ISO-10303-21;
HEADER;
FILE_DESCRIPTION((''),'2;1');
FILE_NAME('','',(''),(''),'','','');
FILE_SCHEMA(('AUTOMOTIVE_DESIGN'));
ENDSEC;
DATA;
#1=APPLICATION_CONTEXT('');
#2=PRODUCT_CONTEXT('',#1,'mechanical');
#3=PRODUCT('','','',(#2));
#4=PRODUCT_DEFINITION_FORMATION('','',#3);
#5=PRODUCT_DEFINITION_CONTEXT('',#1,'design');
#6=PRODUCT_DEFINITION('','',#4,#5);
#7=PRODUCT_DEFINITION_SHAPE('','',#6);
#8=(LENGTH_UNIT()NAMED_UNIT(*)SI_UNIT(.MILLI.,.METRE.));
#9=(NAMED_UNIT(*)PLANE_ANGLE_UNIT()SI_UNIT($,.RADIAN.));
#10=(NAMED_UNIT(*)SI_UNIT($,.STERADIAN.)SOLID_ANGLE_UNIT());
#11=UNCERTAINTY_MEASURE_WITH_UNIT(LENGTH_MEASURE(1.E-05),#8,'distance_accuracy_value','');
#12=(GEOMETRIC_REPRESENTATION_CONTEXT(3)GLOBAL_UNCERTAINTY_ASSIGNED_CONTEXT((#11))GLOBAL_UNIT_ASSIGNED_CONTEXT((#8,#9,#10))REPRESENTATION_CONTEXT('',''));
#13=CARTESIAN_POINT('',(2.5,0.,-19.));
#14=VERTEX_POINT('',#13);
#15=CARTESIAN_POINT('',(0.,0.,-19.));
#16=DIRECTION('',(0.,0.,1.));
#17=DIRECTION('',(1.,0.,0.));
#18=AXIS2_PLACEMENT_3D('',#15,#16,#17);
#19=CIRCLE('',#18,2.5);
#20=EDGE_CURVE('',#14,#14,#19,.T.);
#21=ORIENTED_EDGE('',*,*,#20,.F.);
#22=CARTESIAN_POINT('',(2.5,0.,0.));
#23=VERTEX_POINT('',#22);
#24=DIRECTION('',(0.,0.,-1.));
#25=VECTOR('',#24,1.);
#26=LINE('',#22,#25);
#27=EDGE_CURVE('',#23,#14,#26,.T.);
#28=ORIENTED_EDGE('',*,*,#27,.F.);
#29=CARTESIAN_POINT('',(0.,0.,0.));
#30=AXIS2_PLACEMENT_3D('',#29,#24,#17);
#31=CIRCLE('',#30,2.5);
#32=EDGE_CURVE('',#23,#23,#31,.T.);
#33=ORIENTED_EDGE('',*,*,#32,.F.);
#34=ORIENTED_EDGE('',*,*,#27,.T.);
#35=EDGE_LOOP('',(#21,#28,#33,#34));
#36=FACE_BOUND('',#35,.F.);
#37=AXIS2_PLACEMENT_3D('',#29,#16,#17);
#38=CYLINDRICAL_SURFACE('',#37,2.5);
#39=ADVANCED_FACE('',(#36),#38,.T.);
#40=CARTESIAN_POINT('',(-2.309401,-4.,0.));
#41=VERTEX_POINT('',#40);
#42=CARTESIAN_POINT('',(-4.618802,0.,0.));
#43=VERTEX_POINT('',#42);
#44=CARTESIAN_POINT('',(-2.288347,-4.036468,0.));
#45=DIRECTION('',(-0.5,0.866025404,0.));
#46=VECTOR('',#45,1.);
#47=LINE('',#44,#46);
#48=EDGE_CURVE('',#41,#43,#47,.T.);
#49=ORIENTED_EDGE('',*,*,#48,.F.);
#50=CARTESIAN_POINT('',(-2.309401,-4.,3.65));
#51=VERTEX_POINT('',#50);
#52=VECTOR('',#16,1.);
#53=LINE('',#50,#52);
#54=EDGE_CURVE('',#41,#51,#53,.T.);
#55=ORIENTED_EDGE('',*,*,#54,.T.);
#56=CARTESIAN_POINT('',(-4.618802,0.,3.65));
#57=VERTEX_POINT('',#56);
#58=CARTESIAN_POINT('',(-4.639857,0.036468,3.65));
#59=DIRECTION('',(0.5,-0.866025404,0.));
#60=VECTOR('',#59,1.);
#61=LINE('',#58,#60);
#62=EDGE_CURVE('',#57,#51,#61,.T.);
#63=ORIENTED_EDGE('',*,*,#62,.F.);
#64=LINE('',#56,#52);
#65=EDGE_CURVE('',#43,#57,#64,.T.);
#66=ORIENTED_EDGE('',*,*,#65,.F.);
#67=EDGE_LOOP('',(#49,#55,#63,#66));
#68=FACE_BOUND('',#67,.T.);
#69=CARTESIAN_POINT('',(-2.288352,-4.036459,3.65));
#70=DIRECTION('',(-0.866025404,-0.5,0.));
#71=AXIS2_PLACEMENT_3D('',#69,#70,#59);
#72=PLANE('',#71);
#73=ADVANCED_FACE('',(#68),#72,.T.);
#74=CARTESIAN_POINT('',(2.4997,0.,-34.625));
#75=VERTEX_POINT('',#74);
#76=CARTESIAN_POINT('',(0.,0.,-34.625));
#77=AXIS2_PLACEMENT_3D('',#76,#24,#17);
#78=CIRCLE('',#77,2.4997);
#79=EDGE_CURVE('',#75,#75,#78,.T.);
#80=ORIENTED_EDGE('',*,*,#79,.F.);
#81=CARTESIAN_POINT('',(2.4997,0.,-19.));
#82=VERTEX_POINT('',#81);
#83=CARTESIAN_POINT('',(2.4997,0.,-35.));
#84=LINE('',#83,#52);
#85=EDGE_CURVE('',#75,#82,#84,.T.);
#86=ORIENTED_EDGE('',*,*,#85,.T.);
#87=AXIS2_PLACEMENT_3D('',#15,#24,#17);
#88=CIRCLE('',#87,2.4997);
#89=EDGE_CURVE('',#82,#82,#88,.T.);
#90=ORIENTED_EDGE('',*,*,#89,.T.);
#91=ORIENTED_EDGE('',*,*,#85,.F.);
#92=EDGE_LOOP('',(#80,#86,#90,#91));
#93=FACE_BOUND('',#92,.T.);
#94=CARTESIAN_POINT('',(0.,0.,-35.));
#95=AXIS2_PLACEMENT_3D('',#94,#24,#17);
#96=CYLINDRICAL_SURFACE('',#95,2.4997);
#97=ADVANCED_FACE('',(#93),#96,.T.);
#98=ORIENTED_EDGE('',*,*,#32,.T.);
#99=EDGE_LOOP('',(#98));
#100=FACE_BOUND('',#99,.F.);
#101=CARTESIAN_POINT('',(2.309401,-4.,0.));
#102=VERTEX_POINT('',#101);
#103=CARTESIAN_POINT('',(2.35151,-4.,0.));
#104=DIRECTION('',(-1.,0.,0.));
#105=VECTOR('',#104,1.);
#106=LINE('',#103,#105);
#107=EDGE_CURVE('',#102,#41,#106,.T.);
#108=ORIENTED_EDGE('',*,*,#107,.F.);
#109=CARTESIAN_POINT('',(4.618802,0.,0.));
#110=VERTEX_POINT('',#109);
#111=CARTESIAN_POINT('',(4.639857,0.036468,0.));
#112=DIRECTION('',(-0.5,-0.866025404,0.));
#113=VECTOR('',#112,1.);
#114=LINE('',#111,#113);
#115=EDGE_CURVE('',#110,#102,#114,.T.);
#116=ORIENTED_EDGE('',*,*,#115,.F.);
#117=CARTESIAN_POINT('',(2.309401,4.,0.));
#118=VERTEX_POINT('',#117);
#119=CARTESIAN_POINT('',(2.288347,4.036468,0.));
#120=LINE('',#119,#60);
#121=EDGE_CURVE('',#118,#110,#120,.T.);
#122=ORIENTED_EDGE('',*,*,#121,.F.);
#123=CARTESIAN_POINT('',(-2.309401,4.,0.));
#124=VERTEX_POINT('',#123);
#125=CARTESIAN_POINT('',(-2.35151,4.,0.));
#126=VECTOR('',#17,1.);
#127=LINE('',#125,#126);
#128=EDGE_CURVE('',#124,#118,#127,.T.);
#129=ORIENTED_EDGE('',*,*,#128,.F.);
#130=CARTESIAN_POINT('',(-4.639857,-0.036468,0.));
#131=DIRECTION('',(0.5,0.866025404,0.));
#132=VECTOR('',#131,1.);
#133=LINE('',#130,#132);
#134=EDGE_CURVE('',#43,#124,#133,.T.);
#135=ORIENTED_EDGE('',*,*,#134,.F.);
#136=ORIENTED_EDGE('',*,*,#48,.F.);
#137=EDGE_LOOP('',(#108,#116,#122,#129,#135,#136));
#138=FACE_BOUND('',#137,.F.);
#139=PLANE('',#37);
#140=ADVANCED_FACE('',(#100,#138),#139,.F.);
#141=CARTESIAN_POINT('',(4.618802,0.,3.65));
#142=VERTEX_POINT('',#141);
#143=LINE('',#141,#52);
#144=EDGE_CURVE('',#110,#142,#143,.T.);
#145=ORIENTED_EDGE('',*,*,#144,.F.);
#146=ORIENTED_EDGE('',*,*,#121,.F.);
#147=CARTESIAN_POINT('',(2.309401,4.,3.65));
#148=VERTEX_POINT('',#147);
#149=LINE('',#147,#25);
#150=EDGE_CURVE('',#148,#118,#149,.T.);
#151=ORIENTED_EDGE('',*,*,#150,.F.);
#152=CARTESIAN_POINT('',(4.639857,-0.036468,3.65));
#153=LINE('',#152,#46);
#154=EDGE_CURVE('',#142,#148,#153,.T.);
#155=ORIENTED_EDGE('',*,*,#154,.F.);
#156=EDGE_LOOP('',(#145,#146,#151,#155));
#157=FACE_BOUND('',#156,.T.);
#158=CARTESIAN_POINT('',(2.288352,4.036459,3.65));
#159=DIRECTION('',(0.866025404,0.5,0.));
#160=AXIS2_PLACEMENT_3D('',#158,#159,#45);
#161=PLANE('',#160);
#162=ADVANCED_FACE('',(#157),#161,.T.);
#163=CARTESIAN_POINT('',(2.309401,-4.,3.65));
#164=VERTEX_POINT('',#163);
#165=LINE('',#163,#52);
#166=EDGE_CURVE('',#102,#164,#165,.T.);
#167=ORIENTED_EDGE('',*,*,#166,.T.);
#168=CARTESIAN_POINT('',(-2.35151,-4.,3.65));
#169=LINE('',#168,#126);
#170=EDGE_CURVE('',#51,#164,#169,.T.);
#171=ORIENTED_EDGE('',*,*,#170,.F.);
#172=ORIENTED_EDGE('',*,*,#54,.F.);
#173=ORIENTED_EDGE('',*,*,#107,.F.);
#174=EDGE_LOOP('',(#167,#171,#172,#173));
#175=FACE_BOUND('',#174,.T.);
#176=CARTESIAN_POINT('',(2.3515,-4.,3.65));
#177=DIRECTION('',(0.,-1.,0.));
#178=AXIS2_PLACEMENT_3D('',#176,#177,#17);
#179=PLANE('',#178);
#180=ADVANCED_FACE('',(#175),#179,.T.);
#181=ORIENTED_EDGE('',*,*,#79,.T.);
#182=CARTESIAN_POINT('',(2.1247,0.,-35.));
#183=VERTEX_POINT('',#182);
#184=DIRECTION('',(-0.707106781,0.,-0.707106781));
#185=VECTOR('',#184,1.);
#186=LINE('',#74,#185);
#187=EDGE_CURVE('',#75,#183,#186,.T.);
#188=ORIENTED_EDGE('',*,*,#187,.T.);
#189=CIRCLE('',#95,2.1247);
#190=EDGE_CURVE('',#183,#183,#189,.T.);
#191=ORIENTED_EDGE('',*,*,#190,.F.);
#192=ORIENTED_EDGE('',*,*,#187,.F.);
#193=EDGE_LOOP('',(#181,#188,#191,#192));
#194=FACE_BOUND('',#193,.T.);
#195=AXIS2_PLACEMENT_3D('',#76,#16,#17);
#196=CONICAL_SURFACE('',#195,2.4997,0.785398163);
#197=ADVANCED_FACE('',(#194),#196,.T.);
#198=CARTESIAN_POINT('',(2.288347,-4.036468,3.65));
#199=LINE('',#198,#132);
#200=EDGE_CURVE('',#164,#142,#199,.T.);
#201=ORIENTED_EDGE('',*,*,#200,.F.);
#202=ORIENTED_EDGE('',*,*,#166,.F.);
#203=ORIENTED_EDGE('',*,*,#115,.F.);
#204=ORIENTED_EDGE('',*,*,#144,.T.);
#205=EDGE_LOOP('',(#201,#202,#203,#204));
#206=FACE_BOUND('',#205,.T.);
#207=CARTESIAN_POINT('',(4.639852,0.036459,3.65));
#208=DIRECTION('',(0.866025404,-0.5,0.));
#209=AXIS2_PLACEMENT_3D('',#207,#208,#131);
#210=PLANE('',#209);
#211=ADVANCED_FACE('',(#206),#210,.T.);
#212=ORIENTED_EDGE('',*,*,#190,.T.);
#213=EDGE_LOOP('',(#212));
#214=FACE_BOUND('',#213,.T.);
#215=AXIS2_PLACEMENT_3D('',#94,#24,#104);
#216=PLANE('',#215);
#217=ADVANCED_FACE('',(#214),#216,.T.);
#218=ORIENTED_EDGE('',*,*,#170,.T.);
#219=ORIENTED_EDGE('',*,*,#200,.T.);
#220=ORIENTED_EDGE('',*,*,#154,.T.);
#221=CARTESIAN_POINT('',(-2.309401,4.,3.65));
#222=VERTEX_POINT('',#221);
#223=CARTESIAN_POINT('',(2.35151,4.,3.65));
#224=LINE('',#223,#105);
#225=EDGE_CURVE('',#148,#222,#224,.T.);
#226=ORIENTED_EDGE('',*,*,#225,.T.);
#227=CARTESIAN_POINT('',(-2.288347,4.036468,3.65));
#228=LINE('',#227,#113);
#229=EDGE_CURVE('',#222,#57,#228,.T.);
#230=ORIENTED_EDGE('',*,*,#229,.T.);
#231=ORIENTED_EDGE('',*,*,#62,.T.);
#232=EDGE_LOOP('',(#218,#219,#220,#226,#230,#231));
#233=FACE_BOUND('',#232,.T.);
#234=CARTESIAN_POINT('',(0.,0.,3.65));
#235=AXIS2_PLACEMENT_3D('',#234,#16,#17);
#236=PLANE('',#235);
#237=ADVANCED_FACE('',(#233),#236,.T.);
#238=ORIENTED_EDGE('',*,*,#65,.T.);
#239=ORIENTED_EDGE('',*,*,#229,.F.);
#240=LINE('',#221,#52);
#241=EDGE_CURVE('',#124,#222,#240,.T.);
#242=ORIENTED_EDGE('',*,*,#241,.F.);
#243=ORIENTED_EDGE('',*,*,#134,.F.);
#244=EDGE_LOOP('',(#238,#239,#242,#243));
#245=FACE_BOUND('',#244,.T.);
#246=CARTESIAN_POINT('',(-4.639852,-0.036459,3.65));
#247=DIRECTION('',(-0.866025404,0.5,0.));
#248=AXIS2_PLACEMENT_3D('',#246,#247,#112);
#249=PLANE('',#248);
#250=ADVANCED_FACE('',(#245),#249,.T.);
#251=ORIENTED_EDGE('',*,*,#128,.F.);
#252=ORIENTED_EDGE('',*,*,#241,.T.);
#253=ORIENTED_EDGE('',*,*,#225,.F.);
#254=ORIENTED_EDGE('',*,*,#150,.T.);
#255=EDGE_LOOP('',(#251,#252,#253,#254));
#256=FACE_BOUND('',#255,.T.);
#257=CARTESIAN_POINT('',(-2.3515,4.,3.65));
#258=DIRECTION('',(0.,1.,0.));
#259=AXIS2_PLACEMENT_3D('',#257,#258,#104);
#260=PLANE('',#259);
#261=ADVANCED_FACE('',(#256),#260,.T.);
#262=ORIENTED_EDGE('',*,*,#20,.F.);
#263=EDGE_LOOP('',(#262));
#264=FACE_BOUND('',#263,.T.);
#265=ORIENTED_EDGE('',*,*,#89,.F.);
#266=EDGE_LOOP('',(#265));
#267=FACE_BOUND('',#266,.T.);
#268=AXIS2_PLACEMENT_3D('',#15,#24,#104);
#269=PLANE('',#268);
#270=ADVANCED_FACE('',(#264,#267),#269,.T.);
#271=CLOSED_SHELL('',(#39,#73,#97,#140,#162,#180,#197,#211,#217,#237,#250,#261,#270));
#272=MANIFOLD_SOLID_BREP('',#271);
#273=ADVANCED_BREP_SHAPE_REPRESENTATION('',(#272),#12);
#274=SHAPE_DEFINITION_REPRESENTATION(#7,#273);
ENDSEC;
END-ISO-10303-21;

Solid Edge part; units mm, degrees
sketch "Sketch1" plane through (0, 0, 0) normal (0, 0, 1) x (1, 0, 0)
  circle A0 centre (0, 0) radius 4.64
  dimension "D1" = 9.28
extrude "Protrusion1" add sketch "Sketch1" along normal blind 3.65
sketch "Sketch2" plane through (0, 0, 0) normal (0, 0, -1) x (1, 0, 0)
  circle A0 centre (0, 0) radius 2.5
extrude "Protrusion2" add sketch "Sketch2" along normal blind 35
sketch "Sketch3" plane through (0, 0, -35) normal (0, 0, -1) x (1, 0, 0)
  circle A0 centre (0, 0) radius 2.4997
extrude "Cutout1" cut sketch "Sketch3" against normal blind 16 flip side to cut
chamfer "Chamfer_1" distance 0.375 angle 45 1 edges at (-2.4997, 0, -35)
sketch "Sketch4" plane through (0, 0, 3.65) normal (0, 0, 1) x (1, 0, 0)
  line L0 (-2.3515, 4) -> (2.3515, 4)
  dimension "D1" = 8
extrude "Cutout2" cut sketch "Sketch4" against normal up to next material side at (0, 4.05, 3.65)
pattern_circular "Pattern1" count 6 over 360 about axis through (0, 0, 3.65) along (0, 0, 1) of "Cutout2"
properties part number "185589" material "Steel"
